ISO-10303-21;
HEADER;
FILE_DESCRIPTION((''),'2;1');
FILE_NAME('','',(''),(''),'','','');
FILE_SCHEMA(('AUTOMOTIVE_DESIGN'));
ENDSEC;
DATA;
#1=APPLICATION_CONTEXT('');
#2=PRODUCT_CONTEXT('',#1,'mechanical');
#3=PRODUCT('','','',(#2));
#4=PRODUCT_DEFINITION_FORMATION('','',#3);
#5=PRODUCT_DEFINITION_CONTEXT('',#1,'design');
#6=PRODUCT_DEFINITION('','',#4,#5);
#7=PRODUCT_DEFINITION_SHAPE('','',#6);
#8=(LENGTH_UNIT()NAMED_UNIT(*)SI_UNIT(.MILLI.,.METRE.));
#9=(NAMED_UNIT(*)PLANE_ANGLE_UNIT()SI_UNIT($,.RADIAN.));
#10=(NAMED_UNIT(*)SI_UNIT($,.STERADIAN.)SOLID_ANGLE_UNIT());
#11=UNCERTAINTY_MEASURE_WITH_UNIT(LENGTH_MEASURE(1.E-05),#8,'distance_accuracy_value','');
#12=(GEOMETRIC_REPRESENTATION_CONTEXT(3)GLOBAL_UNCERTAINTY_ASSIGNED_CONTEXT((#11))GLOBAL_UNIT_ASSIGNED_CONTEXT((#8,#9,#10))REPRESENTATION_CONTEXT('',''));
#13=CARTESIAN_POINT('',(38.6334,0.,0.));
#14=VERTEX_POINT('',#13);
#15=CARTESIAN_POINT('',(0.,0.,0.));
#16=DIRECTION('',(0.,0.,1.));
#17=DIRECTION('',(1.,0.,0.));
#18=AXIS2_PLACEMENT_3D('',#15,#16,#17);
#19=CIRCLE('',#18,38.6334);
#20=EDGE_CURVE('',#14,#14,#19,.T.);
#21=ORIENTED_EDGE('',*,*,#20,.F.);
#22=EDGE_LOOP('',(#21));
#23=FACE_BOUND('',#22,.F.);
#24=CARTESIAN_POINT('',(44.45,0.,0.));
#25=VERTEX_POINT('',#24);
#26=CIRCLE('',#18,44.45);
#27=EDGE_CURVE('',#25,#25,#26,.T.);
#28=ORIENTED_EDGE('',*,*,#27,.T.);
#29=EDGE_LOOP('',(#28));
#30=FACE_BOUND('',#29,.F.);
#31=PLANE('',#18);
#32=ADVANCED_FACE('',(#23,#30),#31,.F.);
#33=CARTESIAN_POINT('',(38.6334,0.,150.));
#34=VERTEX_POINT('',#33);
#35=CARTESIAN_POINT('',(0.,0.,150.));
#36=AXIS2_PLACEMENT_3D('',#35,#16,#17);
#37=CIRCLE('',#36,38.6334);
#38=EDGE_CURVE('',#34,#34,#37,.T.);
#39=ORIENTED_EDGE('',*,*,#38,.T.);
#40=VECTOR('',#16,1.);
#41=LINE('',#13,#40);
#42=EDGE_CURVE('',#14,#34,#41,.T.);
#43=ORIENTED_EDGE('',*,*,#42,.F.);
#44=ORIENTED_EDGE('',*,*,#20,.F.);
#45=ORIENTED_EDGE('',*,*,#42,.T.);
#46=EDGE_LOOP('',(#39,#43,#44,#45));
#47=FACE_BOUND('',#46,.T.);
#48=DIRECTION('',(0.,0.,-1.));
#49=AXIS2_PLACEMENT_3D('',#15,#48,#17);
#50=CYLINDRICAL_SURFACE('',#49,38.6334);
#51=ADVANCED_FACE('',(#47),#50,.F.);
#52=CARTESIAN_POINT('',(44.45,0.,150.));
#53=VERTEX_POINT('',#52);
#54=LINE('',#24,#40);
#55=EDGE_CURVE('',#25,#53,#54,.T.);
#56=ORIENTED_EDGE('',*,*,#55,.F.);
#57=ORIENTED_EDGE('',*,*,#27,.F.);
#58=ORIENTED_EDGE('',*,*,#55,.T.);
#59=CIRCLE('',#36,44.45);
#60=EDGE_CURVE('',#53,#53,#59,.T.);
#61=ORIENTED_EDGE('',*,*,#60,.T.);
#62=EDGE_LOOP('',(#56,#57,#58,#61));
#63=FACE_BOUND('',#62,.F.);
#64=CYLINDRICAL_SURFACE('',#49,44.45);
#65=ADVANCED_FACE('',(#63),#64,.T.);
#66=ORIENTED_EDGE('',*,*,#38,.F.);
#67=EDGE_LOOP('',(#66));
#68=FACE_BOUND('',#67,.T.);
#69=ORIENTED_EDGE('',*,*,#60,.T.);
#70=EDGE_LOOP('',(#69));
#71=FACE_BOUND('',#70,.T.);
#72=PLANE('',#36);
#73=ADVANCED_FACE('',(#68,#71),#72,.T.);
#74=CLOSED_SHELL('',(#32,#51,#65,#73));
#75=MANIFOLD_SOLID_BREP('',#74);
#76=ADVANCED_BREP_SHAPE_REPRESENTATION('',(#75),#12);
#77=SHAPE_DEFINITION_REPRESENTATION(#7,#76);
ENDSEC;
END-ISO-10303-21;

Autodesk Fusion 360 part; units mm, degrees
sketch "Sketch1" plane through (0, 0, 0) normal (0, 0, 1) x (1, 0, 0)
  circle A0 centre (0, 0) radius 44.45
  circle A1 centre (0, 0) radius 38.6334
  dimension "d1" = 88.9
  dimension "d2" = 77.2668
extrude "Extrude1" add sketch "Sketch1" along normal blind 150
